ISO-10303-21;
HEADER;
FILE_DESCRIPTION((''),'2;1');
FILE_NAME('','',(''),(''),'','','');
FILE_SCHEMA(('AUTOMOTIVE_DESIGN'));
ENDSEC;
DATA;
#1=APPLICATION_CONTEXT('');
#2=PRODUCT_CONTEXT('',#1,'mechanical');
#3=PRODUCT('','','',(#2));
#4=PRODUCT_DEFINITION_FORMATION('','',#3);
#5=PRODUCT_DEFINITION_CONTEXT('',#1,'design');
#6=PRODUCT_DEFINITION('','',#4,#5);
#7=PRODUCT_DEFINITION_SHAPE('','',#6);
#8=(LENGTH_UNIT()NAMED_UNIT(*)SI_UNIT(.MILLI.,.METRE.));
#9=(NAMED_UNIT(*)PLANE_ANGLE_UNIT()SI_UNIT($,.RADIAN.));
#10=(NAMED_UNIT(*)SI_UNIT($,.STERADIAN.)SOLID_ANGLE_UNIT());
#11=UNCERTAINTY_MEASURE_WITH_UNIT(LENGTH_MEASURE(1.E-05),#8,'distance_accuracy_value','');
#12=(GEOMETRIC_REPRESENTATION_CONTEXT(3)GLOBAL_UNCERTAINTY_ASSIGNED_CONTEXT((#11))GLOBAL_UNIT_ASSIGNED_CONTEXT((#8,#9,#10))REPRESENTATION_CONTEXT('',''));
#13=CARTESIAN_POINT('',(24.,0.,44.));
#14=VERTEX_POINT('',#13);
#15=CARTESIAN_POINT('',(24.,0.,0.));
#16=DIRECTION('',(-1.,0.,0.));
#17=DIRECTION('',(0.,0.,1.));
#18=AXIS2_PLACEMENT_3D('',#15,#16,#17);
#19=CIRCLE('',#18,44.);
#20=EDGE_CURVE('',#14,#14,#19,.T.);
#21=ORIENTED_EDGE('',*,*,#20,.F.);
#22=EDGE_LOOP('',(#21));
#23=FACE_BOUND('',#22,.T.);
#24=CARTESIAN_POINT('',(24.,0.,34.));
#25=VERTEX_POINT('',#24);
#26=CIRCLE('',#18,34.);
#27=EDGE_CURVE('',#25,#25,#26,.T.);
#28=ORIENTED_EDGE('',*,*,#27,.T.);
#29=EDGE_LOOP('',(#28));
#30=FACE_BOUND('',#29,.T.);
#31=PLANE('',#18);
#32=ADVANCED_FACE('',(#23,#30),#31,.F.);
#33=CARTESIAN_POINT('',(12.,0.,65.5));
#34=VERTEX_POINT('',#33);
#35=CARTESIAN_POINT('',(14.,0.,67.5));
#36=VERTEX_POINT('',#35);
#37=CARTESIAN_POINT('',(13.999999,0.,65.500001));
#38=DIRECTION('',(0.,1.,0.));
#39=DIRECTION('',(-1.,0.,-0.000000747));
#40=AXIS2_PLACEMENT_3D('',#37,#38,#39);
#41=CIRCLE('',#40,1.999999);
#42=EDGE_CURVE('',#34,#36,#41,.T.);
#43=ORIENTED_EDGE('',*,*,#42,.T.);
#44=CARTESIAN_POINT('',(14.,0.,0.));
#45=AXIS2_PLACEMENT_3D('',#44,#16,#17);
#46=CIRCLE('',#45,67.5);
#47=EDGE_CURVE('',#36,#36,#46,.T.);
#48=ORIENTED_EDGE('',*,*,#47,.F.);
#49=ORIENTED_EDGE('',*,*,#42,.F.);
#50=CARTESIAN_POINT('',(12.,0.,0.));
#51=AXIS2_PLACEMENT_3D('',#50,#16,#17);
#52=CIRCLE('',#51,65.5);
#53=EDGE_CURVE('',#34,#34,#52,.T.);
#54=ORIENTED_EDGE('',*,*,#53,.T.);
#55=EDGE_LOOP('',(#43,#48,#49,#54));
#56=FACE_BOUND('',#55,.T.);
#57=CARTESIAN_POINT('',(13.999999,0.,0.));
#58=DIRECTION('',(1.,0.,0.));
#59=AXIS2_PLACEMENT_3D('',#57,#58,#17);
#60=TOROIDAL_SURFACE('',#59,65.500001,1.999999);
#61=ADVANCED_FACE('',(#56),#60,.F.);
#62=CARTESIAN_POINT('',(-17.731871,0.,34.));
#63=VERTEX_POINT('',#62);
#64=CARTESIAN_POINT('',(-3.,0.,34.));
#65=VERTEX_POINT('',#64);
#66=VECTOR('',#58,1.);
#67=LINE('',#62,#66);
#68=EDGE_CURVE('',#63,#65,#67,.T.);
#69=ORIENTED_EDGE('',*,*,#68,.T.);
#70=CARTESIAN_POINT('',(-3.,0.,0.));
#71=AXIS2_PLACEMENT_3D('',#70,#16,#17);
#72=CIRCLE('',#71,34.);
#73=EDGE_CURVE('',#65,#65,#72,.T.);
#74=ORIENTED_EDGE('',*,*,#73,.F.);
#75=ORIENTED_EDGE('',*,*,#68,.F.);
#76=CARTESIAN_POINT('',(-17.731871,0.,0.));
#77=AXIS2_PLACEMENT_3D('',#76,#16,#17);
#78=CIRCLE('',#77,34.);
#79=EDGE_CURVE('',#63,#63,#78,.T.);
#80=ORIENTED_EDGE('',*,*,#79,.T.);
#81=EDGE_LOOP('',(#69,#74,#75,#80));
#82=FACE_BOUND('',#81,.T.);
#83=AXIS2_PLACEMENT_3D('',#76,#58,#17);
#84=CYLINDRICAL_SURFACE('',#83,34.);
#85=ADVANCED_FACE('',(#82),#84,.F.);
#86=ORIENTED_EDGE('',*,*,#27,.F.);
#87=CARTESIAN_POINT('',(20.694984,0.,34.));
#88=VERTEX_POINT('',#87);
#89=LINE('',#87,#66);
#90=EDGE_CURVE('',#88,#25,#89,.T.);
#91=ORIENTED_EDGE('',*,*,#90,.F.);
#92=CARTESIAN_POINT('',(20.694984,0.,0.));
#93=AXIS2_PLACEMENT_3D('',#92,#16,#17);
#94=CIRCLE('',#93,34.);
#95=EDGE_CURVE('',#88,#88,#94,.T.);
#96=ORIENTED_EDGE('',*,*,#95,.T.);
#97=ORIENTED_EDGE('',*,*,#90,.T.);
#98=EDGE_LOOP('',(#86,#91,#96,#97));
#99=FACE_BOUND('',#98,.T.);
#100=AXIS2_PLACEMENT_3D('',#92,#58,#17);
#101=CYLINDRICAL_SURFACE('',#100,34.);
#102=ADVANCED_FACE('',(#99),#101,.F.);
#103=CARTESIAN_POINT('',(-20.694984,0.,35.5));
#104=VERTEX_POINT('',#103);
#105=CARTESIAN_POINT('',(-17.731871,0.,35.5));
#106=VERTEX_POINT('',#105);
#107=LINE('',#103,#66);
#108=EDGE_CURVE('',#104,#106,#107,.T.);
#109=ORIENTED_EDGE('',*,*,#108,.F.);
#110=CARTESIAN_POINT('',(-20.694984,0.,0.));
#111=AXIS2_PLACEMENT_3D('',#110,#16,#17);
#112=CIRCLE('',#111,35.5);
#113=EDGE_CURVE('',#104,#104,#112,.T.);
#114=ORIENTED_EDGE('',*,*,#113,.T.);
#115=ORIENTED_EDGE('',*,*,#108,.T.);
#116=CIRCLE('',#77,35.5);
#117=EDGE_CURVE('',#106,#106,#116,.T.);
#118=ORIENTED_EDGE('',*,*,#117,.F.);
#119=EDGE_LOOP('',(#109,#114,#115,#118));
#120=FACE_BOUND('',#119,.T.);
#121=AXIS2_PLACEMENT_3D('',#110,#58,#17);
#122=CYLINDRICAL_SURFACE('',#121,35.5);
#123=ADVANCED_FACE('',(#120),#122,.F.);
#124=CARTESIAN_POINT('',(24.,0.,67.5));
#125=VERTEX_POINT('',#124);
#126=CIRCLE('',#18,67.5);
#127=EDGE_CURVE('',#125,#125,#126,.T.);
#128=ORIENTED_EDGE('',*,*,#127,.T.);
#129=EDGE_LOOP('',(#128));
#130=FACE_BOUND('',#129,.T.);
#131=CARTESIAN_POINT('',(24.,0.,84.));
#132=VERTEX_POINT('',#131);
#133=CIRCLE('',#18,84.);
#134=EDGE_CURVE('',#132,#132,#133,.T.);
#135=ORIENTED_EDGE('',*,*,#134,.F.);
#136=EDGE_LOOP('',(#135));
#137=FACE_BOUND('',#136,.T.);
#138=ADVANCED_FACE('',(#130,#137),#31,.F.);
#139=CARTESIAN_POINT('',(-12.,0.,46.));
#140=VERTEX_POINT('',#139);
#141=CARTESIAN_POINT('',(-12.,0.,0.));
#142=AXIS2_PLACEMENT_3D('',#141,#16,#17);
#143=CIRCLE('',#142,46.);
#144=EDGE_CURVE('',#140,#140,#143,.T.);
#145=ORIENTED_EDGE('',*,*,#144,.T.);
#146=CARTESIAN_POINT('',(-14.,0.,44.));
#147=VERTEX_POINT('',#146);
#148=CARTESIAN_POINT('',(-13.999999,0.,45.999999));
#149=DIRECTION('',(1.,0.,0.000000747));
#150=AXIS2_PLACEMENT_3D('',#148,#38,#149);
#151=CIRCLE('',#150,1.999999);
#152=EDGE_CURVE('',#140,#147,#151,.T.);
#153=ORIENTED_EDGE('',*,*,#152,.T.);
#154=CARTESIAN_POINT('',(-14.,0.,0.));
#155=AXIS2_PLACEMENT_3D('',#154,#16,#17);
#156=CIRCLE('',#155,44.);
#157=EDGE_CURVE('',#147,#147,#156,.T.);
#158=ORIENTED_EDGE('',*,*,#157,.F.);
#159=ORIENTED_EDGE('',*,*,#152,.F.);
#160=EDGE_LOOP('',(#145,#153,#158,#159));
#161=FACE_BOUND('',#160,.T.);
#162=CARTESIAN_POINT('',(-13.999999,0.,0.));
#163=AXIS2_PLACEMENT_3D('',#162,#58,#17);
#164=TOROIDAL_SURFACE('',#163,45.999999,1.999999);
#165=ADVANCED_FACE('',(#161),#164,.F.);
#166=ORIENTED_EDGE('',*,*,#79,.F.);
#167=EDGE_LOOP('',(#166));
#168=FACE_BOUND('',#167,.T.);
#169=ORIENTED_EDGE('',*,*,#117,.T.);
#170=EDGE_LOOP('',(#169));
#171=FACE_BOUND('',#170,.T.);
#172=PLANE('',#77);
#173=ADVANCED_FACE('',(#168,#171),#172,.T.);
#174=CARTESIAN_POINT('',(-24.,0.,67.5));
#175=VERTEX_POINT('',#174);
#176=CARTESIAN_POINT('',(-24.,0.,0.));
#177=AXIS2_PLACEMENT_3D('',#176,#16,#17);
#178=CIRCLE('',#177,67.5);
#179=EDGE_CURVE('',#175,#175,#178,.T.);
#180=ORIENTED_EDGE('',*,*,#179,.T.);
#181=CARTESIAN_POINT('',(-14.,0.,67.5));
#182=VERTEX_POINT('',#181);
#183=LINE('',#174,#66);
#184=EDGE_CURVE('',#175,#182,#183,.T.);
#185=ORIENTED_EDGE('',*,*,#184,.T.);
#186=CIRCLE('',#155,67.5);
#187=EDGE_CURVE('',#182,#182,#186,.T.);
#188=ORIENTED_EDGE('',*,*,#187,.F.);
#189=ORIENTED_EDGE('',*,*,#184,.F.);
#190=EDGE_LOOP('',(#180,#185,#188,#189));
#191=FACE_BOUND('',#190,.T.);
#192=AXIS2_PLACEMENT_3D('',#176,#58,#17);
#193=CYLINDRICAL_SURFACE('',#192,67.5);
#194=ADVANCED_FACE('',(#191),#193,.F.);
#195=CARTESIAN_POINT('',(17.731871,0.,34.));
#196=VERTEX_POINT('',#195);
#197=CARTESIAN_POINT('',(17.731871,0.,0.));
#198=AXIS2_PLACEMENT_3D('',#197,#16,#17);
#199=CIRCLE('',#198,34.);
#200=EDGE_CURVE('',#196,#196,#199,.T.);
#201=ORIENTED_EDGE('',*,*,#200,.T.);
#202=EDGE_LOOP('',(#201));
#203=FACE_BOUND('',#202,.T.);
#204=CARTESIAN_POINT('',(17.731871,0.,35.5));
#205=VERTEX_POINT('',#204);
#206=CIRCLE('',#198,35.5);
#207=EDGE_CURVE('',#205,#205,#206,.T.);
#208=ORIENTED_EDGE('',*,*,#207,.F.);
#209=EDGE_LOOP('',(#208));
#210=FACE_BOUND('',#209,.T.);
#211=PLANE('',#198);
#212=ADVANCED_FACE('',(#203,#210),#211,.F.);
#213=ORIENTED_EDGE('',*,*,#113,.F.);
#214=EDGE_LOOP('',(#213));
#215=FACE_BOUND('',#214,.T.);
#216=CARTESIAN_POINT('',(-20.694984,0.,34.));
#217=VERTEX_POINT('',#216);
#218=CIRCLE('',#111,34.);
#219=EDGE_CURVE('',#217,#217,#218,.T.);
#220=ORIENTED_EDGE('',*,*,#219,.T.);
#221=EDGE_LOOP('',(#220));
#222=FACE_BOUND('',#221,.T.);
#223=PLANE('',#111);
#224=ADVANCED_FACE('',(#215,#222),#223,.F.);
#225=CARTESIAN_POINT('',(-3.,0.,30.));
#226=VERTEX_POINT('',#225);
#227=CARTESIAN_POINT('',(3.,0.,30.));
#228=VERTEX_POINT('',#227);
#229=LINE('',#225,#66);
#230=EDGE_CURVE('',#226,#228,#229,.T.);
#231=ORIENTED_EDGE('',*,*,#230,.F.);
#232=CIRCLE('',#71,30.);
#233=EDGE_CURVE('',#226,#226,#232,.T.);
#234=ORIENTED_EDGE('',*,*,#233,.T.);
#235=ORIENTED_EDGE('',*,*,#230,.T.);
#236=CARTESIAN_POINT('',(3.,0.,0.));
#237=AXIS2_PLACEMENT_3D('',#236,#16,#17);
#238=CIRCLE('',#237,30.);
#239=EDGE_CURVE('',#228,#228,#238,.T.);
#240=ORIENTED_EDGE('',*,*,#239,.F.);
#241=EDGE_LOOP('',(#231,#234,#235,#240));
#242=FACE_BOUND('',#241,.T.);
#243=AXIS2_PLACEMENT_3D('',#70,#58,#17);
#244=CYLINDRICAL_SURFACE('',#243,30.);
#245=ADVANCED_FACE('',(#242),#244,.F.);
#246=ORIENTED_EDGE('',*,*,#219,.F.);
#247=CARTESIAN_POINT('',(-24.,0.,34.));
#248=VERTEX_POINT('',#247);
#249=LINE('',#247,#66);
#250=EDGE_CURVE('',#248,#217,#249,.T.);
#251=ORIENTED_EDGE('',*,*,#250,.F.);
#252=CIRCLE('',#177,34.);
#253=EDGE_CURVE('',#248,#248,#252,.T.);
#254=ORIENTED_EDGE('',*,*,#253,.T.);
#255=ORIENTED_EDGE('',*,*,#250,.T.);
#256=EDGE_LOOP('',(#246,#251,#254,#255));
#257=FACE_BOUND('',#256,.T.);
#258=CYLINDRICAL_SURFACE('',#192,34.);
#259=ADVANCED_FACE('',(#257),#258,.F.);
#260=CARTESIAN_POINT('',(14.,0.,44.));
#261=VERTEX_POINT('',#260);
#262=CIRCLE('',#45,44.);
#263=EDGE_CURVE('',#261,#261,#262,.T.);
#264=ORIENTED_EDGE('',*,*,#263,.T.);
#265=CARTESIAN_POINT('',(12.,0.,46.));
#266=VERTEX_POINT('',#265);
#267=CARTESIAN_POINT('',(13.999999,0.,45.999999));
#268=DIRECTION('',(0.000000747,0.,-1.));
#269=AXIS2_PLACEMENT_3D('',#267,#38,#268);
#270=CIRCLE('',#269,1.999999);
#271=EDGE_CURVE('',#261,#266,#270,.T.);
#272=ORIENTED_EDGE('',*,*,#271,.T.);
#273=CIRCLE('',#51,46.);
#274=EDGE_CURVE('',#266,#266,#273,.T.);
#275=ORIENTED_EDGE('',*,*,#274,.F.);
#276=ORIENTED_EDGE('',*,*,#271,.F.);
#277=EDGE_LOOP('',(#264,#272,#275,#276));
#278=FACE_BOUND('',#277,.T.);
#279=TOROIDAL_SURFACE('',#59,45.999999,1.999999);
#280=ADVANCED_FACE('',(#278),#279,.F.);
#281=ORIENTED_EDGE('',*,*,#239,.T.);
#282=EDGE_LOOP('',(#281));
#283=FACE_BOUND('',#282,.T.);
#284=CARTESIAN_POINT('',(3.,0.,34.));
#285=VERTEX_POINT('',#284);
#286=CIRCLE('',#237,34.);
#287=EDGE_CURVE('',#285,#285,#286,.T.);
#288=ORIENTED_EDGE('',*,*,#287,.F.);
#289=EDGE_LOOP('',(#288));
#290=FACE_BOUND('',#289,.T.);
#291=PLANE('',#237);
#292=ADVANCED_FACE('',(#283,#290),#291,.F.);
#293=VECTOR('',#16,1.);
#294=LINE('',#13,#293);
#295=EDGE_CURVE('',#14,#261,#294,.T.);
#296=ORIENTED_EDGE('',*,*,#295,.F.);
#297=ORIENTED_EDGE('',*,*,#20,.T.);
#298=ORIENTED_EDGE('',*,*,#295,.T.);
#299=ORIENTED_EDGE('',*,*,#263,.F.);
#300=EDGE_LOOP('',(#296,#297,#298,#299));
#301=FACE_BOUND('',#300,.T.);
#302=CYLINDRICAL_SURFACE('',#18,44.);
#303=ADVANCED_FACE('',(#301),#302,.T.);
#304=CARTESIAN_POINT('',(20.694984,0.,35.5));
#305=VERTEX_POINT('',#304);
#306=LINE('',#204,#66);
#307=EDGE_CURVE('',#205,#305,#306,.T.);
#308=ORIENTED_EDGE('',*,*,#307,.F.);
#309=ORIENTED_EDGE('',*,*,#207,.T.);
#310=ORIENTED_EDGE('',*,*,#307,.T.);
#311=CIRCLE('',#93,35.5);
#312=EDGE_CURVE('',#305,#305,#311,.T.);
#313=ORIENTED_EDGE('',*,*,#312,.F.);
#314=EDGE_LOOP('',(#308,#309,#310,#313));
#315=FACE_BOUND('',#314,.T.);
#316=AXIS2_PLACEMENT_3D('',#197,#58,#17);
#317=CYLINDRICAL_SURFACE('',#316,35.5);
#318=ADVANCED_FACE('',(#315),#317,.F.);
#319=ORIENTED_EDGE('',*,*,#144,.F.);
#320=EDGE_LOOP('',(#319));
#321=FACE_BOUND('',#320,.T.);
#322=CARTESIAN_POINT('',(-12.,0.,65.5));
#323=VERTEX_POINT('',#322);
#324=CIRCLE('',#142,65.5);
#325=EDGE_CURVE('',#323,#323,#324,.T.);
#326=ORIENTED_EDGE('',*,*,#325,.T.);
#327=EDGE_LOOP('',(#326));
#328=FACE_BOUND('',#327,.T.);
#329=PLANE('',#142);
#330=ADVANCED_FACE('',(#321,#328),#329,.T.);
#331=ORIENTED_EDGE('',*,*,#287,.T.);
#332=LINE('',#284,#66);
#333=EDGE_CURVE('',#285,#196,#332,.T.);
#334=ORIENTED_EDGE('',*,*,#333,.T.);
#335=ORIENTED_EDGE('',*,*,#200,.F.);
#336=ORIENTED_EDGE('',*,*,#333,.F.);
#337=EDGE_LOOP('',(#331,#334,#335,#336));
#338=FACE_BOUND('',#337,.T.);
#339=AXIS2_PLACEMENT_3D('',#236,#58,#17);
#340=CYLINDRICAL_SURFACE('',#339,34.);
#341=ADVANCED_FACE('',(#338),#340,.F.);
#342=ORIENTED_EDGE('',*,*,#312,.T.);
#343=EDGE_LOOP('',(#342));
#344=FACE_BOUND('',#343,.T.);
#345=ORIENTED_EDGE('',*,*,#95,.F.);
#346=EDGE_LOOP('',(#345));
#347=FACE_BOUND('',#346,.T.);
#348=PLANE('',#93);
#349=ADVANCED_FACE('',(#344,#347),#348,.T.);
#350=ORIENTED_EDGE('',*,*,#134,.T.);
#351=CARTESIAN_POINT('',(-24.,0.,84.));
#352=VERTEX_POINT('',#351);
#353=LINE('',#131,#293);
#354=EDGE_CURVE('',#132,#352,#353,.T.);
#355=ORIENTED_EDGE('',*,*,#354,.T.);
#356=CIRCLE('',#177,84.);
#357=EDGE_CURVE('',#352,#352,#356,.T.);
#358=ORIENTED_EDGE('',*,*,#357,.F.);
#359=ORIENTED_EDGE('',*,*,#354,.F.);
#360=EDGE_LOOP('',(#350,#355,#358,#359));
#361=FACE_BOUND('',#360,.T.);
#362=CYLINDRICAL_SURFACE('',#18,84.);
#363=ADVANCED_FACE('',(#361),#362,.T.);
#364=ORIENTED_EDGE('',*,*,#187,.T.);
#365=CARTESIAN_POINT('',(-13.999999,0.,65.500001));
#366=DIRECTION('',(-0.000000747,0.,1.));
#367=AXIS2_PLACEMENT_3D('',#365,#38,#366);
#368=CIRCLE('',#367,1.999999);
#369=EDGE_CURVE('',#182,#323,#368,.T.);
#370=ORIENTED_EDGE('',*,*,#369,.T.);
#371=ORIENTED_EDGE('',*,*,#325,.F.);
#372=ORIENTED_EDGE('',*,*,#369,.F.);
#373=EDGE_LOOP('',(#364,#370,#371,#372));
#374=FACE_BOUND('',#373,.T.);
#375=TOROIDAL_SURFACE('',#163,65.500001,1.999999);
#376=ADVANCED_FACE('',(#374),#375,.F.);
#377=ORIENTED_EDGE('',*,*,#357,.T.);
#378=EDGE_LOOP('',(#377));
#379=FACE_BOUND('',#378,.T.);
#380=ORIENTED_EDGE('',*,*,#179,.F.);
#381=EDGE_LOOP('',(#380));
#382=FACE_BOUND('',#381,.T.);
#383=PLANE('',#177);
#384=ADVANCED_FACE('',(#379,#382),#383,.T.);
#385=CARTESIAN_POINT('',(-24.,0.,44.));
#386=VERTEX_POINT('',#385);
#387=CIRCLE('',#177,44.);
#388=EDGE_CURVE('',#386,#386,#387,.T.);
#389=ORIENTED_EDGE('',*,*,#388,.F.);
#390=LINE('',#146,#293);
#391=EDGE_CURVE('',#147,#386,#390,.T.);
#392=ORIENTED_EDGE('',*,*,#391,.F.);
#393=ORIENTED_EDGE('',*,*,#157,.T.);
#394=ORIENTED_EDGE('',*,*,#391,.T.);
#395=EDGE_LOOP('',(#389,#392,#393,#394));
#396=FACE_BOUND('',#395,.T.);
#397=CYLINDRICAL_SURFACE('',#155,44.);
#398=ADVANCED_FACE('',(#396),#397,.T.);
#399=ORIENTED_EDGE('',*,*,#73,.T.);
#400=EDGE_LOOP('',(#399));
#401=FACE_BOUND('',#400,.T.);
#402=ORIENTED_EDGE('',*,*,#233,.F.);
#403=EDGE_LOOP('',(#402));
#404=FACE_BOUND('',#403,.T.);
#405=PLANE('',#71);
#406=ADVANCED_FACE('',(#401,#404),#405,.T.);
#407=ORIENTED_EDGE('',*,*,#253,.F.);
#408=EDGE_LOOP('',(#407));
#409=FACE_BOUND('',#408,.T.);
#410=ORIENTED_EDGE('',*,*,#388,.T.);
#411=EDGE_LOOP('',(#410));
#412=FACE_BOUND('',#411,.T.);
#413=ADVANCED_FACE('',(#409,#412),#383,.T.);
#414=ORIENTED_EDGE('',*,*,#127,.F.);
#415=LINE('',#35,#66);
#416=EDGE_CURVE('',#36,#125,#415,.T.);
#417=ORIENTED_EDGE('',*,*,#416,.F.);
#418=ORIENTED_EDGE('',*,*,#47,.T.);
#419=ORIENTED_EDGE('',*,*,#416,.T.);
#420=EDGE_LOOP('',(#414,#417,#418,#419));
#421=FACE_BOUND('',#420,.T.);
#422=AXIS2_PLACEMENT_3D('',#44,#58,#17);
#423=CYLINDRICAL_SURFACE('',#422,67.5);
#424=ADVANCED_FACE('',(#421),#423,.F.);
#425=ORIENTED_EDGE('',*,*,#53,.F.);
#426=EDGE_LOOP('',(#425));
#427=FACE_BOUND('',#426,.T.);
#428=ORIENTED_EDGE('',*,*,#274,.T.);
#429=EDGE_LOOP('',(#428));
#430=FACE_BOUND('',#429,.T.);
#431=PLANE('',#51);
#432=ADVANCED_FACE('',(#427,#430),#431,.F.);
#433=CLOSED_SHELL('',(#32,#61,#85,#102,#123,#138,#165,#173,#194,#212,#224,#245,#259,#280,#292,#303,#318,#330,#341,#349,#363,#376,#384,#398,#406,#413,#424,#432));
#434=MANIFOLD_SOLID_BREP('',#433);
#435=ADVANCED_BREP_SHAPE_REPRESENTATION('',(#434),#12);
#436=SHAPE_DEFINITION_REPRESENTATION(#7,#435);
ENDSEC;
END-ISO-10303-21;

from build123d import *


with BuildPart() as f1:
    # F0 (on Front) → F1 (revolve)
    with BuildSketch(Plane.XZ):
        with BuildLine():
            Line((0, 30), (0, 84))
            Line((0, 84), (-24, 84))
            Line((-24, 84), (-24, 67.5))
            Line((-24, 67.5), (-14, 67.5))
            ThreePointArc((-14, 67.5), (-12.585786, 66.914214), (-12, 65.5))
            Line((-12, 65.5), (-12, 46))
            ThreePointArc((-12, 46), (-12.585786, 44.585786), (-14, 44))
            Line((-14, 44), (-24, 44))
            Line((-24, 44), (-24, 34))
            Line((-24, 34), (-20.694984, 34))
            Line((-20.694984, 34), (-20.694984, 35.5))
            Line((-20.694984, 35.5), (-17.731871, 35.5))
            Line((-17.731871, 35.5), (-17.731871, 34))
            Line((-17.731871, 34), (-3, 34))
            Line((-3, 34), (-3, 30))
            Line((-3, 30), (0, 30))
        make_face()
        with BuildLine():
            Line((24, 84), (0, 84))
            Line((0, 84), (0, 30))
            Line((0, 30), (3, 30))
            Line((3, 30), (3, 34))
            Line((3, 34), (17.731871, 34))
            Line((17.731871, 34), (17.731871, 35.5))
            Line((17.731871, 35.5), (20.694984, 35.5))
            Line((20.694984, 35.5), (20.694984, 34))
            Line((20.694984, 34), (24, 34))
            Line((24, 34), (24, 44))
            Line((24, 44), (14, 44))
            ThreePointArc((14, 44), (12.585786, 44.585786), (12, 46))
            Line((12, 46), (12, 65.5))
            ThreePointArc((12, 65.5), (12.585786, 66.914214), (14, 67.5))
            Line((14, 67.5), (24, 67.5))
            Line((24, 67.5), (24, 84))
        make_face()
    revolve(axis=Axis((-12, 0, 0), (-1, 0, 0)))


solid = f1.part
